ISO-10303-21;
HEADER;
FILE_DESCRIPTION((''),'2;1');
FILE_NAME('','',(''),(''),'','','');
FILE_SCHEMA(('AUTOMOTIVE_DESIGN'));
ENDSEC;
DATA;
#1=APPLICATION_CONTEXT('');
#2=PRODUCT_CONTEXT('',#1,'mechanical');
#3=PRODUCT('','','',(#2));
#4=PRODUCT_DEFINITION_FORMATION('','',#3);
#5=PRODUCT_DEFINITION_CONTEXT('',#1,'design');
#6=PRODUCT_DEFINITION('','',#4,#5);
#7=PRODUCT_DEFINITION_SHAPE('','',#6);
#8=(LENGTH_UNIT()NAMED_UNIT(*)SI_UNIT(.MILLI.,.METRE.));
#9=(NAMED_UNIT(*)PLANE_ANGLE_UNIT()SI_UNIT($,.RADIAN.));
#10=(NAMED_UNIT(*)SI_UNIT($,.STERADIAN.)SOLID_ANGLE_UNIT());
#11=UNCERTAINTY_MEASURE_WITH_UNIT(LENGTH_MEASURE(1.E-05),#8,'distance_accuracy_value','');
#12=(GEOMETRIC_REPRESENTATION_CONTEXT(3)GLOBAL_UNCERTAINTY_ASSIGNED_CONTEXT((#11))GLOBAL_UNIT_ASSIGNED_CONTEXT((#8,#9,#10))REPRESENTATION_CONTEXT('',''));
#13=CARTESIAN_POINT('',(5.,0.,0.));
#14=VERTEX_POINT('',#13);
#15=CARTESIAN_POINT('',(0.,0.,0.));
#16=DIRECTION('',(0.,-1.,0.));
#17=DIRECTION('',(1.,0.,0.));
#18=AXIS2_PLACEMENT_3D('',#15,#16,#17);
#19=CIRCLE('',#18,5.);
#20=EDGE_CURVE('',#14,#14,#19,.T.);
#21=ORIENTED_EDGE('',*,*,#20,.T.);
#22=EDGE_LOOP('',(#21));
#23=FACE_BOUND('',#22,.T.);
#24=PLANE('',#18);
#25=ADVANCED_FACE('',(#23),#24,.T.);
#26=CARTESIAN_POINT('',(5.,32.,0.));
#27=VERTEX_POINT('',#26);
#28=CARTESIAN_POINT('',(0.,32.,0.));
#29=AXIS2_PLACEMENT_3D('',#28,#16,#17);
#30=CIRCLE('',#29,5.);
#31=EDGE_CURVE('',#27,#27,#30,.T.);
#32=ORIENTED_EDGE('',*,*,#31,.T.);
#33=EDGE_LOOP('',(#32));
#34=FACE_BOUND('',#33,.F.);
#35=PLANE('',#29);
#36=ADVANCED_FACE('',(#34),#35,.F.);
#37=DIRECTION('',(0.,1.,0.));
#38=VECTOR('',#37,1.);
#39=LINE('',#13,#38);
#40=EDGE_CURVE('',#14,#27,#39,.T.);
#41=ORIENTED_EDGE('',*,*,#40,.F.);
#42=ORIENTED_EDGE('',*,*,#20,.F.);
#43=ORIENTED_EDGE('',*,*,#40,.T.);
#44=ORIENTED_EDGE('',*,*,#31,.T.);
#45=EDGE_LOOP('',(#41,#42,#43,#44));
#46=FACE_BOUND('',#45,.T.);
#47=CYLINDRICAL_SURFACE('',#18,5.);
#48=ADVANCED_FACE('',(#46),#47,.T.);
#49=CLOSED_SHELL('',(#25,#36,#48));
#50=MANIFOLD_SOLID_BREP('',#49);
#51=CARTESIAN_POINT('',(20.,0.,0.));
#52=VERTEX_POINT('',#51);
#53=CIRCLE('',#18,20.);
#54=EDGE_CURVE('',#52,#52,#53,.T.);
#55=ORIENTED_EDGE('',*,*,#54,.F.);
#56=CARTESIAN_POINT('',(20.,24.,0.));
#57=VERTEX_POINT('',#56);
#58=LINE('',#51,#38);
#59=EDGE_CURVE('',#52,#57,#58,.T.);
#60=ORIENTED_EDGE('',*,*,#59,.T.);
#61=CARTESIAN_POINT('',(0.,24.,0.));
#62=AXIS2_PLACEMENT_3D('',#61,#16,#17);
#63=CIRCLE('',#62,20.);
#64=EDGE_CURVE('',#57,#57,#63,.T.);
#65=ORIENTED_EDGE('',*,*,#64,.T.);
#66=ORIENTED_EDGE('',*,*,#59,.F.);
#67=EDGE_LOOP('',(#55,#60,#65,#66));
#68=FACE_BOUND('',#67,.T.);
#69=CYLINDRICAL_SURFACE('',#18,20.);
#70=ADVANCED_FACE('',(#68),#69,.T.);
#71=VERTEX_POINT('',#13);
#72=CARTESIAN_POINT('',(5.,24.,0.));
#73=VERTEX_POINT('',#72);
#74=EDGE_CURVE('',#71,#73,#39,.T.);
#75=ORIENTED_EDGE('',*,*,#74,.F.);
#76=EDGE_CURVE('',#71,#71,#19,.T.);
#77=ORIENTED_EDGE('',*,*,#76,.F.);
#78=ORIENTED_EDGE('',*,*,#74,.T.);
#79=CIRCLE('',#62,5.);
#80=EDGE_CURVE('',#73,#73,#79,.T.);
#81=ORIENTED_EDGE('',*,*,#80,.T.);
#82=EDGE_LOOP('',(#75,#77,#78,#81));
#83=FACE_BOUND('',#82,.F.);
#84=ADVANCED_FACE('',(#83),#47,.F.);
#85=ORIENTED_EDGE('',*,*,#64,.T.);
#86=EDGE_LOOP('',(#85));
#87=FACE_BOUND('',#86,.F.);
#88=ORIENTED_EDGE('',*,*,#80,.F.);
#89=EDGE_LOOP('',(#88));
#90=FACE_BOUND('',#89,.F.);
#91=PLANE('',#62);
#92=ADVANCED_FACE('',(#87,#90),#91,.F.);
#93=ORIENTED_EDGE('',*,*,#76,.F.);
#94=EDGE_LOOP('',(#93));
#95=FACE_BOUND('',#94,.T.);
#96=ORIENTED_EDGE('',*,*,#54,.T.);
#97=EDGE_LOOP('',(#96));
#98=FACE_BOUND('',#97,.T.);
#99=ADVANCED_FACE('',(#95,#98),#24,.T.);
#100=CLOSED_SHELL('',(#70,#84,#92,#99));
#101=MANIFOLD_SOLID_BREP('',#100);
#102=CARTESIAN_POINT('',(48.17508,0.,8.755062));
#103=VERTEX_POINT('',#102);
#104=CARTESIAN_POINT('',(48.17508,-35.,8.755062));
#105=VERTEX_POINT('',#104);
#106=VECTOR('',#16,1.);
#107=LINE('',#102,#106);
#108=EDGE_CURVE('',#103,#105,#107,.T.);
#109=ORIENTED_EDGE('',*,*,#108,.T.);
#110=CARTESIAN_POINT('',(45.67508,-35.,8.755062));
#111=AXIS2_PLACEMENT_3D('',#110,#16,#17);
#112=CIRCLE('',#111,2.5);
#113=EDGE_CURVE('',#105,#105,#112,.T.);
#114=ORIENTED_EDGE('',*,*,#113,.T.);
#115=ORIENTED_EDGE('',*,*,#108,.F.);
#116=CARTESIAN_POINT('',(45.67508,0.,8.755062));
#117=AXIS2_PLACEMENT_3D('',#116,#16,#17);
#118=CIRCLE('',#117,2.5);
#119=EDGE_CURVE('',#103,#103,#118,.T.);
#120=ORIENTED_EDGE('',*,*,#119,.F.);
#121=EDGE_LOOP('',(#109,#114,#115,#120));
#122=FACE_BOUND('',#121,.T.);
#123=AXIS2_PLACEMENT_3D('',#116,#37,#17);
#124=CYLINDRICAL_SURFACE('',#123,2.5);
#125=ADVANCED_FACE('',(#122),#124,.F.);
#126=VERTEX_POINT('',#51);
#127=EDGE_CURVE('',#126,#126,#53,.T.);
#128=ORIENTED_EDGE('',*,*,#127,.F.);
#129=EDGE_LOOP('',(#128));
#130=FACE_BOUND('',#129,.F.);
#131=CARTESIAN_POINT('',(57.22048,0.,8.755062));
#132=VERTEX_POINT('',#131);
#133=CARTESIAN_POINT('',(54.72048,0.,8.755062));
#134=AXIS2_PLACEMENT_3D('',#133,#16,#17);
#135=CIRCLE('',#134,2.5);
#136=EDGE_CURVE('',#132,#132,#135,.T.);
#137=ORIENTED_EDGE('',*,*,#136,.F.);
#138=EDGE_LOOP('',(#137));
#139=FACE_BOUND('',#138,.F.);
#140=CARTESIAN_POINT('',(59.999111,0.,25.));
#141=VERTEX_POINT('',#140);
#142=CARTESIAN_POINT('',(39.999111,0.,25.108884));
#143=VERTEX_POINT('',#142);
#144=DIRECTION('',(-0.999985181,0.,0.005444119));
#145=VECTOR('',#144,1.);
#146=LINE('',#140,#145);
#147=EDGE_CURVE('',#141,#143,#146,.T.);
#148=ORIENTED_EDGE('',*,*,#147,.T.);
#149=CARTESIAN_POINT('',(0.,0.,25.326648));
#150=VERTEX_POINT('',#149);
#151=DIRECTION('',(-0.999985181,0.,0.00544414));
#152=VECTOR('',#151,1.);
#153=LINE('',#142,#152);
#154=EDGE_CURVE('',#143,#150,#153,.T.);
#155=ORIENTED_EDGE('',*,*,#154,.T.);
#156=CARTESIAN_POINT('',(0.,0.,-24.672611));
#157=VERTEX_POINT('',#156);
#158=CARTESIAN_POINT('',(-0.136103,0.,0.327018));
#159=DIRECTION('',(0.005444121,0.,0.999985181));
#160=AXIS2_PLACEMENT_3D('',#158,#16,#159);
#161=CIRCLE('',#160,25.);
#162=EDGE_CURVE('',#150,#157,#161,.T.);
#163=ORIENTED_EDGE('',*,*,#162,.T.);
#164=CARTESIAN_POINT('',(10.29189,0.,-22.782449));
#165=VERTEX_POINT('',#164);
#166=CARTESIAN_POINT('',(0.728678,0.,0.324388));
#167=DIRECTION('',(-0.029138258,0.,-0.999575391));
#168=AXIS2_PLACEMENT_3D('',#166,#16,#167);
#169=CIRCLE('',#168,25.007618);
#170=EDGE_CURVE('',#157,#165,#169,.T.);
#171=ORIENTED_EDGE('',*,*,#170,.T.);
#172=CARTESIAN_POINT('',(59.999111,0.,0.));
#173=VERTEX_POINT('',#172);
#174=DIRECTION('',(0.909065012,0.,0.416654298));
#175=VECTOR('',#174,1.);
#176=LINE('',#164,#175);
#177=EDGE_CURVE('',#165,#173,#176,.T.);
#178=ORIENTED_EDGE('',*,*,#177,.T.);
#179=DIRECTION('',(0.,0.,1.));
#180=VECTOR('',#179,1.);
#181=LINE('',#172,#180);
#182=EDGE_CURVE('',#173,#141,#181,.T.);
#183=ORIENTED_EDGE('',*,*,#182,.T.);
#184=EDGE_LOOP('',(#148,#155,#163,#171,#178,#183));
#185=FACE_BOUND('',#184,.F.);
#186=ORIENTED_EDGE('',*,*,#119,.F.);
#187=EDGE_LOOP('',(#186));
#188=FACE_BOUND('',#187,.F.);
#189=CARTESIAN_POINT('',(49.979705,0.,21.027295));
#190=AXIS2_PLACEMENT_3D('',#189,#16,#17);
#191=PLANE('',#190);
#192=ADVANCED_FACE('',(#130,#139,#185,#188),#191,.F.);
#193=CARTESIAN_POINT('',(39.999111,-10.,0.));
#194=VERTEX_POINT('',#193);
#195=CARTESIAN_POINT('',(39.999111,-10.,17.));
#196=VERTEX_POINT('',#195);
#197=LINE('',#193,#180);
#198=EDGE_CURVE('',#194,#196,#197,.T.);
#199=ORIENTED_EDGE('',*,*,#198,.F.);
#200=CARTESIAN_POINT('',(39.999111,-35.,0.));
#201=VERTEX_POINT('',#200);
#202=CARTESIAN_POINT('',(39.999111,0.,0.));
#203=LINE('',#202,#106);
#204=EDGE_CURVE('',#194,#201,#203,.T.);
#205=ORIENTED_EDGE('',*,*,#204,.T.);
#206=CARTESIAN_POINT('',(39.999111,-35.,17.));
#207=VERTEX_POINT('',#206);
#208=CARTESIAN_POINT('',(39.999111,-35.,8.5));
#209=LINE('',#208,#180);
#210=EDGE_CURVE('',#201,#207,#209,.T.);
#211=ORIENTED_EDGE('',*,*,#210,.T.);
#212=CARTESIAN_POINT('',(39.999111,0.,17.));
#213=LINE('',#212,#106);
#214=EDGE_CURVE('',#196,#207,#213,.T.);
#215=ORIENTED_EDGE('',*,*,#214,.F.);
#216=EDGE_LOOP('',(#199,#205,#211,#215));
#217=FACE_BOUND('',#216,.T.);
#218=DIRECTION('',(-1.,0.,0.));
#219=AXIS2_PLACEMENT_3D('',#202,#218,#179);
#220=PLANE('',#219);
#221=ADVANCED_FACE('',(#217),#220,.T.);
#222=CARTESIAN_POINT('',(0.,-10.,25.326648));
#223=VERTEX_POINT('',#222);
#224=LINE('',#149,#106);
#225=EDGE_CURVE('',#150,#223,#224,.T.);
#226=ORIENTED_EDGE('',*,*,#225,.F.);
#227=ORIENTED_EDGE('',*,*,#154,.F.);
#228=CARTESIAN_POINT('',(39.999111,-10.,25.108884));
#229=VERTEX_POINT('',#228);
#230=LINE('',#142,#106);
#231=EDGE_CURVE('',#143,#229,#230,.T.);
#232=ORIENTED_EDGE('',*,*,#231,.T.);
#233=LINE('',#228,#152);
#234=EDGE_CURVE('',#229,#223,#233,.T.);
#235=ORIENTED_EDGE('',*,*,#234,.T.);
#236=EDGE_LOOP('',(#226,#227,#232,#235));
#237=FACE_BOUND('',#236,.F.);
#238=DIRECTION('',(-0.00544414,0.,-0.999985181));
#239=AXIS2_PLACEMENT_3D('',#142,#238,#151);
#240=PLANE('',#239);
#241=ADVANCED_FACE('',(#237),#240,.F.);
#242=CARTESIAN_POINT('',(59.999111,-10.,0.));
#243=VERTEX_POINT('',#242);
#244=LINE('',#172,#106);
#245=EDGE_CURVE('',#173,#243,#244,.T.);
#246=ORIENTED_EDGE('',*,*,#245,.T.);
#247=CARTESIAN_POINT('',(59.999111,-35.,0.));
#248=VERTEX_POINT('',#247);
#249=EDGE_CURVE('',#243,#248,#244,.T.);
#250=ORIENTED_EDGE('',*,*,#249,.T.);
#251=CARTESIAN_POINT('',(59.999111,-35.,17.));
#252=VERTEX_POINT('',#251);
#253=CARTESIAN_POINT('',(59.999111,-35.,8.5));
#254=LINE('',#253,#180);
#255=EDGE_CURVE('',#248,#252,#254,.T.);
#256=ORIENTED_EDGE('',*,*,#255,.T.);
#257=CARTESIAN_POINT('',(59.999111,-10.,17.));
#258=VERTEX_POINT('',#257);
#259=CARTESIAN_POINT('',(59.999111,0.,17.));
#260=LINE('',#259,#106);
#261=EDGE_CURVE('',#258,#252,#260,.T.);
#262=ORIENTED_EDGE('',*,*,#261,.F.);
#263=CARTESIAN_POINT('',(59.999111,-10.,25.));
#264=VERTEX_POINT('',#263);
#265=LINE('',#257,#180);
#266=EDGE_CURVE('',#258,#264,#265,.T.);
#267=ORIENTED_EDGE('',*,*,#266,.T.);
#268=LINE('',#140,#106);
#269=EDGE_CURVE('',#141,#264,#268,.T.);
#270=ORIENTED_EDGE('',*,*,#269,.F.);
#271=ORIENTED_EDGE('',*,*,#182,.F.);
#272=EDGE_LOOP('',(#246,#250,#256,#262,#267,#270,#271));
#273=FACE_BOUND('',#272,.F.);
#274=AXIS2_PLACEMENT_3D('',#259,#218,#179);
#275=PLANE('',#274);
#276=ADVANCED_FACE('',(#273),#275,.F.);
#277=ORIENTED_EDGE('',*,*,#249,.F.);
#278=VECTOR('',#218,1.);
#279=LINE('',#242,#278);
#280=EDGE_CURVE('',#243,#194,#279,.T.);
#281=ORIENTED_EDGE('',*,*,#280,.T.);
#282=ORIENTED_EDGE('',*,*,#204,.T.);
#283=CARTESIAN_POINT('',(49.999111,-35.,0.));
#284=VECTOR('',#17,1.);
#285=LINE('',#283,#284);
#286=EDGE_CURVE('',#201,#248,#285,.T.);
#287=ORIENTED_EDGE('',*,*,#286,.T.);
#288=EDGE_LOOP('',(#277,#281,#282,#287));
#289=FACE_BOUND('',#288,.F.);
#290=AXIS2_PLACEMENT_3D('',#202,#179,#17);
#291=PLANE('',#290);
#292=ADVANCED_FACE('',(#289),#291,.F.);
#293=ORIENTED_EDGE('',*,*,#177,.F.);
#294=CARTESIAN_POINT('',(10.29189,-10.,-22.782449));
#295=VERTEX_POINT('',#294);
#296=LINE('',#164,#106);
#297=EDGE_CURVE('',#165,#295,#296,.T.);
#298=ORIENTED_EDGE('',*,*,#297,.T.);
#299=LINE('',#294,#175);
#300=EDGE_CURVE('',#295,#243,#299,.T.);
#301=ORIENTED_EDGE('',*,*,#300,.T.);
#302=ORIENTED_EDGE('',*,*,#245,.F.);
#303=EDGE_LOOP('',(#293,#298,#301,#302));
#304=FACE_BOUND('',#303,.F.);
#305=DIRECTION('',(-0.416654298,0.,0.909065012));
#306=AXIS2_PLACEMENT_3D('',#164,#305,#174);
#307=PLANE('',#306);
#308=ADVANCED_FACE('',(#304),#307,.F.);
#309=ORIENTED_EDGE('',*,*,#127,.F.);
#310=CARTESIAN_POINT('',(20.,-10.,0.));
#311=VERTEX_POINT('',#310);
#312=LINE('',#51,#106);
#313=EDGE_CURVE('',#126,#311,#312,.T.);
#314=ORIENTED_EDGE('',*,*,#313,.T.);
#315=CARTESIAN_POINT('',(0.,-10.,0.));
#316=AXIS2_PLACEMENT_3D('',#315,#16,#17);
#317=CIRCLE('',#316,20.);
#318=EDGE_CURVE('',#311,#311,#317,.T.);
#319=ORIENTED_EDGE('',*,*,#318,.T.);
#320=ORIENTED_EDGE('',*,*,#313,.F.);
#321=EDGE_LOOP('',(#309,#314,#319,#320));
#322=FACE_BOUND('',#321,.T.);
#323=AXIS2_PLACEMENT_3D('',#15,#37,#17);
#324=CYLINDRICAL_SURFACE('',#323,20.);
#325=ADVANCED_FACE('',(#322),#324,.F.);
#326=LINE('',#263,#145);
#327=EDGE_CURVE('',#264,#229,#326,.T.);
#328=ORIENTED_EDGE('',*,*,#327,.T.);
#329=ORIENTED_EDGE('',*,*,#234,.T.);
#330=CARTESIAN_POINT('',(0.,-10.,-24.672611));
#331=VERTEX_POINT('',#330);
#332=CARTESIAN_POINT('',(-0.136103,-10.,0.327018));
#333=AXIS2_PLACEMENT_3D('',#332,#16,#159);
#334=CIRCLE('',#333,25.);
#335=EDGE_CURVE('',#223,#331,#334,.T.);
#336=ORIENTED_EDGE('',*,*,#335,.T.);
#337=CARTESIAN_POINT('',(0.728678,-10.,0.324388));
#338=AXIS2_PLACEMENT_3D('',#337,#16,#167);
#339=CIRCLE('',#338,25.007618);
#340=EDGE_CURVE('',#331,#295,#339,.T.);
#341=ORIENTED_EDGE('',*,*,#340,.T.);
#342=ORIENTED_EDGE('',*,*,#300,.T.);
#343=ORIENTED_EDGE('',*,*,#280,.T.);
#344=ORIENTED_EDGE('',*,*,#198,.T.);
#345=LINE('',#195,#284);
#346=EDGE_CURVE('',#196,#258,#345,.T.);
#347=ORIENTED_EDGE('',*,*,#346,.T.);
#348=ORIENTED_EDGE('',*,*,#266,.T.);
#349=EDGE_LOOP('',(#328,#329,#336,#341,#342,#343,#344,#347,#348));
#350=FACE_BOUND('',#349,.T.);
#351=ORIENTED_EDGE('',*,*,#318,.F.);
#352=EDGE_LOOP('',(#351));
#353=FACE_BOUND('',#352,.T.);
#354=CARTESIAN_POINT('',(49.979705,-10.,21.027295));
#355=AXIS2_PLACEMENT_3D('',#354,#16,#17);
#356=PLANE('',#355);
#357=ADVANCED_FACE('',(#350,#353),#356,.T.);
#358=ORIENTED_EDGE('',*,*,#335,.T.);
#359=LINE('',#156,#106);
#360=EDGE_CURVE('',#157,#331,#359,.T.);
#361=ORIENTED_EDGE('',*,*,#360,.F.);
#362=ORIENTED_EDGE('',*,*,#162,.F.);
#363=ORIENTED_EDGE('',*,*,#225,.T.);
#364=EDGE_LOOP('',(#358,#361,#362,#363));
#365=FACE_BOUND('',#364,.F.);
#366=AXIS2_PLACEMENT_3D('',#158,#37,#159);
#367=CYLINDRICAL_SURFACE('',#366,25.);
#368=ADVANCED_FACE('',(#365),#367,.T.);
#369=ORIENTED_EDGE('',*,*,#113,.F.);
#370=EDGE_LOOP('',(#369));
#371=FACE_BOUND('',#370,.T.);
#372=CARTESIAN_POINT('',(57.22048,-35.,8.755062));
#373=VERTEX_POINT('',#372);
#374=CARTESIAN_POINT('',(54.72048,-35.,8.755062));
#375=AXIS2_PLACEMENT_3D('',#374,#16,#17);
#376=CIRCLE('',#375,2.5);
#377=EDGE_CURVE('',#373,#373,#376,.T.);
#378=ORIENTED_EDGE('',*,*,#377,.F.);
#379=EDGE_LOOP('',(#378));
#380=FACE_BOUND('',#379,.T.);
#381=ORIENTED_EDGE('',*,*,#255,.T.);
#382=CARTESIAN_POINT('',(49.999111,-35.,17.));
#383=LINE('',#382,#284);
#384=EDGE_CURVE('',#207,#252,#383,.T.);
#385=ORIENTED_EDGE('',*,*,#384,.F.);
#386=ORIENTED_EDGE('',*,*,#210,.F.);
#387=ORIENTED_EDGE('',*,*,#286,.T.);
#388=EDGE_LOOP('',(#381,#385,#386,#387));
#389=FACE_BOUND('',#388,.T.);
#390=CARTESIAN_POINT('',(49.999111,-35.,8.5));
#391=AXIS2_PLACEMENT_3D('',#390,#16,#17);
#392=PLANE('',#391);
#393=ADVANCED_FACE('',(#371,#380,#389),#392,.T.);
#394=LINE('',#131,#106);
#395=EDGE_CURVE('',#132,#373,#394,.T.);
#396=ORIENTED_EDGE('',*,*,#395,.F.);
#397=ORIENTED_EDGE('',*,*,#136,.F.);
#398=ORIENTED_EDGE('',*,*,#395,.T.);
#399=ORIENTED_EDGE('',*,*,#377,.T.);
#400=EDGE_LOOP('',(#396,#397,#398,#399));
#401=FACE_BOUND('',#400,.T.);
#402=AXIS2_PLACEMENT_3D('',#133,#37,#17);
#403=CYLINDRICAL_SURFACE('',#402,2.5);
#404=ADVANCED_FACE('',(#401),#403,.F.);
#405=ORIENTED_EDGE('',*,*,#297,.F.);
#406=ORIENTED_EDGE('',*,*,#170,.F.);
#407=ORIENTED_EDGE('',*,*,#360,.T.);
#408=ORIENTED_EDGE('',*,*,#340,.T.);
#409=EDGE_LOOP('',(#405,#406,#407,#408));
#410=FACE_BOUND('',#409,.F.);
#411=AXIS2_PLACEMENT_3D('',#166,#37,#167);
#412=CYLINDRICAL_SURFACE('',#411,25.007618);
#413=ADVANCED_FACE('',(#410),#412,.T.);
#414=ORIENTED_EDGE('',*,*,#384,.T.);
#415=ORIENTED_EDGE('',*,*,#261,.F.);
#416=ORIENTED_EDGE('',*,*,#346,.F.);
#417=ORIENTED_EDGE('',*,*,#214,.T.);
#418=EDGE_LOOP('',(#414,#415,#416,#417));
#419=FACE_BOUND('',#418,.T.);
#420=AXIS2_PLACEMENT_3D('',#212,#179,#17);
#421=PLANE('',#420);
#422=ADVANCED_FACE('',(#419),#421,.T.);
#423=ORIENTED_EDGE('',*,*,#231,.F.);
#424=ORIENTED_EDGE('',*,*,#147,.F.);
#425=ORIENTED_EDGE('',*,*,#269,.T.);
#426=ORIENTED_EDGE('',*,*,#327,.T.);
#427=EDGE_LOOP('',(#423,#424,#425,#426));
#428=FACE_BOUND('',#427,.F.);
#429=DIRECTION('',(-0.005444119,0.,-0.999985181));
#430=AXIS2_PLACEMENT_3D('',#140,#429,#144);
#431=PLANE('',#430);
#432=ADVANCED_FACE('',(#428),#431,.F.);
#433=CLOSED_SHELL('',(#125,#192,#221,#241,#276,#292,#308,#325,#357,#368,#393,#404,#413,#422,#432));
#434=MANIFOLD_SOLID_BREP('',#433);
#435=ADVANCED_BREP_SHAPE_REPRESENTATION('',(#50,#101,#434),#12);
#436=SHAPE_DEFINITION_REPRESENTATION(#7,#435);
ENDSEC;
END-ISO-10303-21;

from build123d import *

# Parameters (mm, degrees)
F0_R     = 20
F0_R_2   = 5
F1_DEPTH = 24
F2_DEPTH = 10
F0_W     = 20
F0_H     = 17
F0_R_3   = 2.5
F3_DEPTH = 35
F4_DEPTH = 10
F5_DEPTH = 32


with BuildPart() as f1:
    # F0 (on Front) → F1 (new body)
    with BuildSketch(Plane.XZ):
        Circle(F0_R)
        Circle(F0_R_2, mode=Mode.SUBTRACT)
    extrude(amount=-F1_DEPTH)


with BuildPart() as f2:
    # F0 (on Front) → F2 (new body)
    with BuildSketch(Plane.XZ):
        with BuildLine():
            Line((39.999111, 25.108884), (0, 25.326648))
            ThreePointArc((0, 25.326648), (-25.136103, 0.327019), (0, -24.672611))
            ThreePointArc((0, -24.672611), (5.245914, -24.271862), (10.29189, -22.782449))
            Line((10.29189, -22.782449), (59.999111, 0))
            Line((59.999111, 0), (39.999111, 0))
            Line((39.999111, 0), (39.999111, 17))
            Line((39.999111, 17), (39.999111, 25.108884))
        make_face()
        Circle(F0_R, mode=Mode.SUBTRACT)
    extrude(amount=F2_DEPTH)

    # F0 (on Front) → F3 (join)
    with BuildSketch(Plane.XZ):
        with Locations((49.999111, 8.5)):
            Rectangle(F0_W, F0_H)
        with Locations((45.67508, 8.755062)):
            Circle(F0_R_3, mode=Mode.SUBTRACT)
        with Locations((54.72048, 8.755062)):
            Circle(F0_R_3, mode=Mode.SUBTRACT)
    extrude(amount=F3_DEPTH)

    # F0 (on Front) → F4 (join)
    with BuildSketch(Plane.XZ):
        Polygon((59.999111, 25), (39.999111, 25.108884), (39.999111, 17), (59.999111, 17), align=None)
    extrude(amount=F4_DEPTH)


with BuildPart() as f5:
    # F0 (on Front) → F5 (new body)
    with BuildSketch(Plane.XZ):
        Circle(F0_R_2)
    extrude(amount=-F5_DEPTH)


solid = Compound([f1.part, f2.part, f5.part])
